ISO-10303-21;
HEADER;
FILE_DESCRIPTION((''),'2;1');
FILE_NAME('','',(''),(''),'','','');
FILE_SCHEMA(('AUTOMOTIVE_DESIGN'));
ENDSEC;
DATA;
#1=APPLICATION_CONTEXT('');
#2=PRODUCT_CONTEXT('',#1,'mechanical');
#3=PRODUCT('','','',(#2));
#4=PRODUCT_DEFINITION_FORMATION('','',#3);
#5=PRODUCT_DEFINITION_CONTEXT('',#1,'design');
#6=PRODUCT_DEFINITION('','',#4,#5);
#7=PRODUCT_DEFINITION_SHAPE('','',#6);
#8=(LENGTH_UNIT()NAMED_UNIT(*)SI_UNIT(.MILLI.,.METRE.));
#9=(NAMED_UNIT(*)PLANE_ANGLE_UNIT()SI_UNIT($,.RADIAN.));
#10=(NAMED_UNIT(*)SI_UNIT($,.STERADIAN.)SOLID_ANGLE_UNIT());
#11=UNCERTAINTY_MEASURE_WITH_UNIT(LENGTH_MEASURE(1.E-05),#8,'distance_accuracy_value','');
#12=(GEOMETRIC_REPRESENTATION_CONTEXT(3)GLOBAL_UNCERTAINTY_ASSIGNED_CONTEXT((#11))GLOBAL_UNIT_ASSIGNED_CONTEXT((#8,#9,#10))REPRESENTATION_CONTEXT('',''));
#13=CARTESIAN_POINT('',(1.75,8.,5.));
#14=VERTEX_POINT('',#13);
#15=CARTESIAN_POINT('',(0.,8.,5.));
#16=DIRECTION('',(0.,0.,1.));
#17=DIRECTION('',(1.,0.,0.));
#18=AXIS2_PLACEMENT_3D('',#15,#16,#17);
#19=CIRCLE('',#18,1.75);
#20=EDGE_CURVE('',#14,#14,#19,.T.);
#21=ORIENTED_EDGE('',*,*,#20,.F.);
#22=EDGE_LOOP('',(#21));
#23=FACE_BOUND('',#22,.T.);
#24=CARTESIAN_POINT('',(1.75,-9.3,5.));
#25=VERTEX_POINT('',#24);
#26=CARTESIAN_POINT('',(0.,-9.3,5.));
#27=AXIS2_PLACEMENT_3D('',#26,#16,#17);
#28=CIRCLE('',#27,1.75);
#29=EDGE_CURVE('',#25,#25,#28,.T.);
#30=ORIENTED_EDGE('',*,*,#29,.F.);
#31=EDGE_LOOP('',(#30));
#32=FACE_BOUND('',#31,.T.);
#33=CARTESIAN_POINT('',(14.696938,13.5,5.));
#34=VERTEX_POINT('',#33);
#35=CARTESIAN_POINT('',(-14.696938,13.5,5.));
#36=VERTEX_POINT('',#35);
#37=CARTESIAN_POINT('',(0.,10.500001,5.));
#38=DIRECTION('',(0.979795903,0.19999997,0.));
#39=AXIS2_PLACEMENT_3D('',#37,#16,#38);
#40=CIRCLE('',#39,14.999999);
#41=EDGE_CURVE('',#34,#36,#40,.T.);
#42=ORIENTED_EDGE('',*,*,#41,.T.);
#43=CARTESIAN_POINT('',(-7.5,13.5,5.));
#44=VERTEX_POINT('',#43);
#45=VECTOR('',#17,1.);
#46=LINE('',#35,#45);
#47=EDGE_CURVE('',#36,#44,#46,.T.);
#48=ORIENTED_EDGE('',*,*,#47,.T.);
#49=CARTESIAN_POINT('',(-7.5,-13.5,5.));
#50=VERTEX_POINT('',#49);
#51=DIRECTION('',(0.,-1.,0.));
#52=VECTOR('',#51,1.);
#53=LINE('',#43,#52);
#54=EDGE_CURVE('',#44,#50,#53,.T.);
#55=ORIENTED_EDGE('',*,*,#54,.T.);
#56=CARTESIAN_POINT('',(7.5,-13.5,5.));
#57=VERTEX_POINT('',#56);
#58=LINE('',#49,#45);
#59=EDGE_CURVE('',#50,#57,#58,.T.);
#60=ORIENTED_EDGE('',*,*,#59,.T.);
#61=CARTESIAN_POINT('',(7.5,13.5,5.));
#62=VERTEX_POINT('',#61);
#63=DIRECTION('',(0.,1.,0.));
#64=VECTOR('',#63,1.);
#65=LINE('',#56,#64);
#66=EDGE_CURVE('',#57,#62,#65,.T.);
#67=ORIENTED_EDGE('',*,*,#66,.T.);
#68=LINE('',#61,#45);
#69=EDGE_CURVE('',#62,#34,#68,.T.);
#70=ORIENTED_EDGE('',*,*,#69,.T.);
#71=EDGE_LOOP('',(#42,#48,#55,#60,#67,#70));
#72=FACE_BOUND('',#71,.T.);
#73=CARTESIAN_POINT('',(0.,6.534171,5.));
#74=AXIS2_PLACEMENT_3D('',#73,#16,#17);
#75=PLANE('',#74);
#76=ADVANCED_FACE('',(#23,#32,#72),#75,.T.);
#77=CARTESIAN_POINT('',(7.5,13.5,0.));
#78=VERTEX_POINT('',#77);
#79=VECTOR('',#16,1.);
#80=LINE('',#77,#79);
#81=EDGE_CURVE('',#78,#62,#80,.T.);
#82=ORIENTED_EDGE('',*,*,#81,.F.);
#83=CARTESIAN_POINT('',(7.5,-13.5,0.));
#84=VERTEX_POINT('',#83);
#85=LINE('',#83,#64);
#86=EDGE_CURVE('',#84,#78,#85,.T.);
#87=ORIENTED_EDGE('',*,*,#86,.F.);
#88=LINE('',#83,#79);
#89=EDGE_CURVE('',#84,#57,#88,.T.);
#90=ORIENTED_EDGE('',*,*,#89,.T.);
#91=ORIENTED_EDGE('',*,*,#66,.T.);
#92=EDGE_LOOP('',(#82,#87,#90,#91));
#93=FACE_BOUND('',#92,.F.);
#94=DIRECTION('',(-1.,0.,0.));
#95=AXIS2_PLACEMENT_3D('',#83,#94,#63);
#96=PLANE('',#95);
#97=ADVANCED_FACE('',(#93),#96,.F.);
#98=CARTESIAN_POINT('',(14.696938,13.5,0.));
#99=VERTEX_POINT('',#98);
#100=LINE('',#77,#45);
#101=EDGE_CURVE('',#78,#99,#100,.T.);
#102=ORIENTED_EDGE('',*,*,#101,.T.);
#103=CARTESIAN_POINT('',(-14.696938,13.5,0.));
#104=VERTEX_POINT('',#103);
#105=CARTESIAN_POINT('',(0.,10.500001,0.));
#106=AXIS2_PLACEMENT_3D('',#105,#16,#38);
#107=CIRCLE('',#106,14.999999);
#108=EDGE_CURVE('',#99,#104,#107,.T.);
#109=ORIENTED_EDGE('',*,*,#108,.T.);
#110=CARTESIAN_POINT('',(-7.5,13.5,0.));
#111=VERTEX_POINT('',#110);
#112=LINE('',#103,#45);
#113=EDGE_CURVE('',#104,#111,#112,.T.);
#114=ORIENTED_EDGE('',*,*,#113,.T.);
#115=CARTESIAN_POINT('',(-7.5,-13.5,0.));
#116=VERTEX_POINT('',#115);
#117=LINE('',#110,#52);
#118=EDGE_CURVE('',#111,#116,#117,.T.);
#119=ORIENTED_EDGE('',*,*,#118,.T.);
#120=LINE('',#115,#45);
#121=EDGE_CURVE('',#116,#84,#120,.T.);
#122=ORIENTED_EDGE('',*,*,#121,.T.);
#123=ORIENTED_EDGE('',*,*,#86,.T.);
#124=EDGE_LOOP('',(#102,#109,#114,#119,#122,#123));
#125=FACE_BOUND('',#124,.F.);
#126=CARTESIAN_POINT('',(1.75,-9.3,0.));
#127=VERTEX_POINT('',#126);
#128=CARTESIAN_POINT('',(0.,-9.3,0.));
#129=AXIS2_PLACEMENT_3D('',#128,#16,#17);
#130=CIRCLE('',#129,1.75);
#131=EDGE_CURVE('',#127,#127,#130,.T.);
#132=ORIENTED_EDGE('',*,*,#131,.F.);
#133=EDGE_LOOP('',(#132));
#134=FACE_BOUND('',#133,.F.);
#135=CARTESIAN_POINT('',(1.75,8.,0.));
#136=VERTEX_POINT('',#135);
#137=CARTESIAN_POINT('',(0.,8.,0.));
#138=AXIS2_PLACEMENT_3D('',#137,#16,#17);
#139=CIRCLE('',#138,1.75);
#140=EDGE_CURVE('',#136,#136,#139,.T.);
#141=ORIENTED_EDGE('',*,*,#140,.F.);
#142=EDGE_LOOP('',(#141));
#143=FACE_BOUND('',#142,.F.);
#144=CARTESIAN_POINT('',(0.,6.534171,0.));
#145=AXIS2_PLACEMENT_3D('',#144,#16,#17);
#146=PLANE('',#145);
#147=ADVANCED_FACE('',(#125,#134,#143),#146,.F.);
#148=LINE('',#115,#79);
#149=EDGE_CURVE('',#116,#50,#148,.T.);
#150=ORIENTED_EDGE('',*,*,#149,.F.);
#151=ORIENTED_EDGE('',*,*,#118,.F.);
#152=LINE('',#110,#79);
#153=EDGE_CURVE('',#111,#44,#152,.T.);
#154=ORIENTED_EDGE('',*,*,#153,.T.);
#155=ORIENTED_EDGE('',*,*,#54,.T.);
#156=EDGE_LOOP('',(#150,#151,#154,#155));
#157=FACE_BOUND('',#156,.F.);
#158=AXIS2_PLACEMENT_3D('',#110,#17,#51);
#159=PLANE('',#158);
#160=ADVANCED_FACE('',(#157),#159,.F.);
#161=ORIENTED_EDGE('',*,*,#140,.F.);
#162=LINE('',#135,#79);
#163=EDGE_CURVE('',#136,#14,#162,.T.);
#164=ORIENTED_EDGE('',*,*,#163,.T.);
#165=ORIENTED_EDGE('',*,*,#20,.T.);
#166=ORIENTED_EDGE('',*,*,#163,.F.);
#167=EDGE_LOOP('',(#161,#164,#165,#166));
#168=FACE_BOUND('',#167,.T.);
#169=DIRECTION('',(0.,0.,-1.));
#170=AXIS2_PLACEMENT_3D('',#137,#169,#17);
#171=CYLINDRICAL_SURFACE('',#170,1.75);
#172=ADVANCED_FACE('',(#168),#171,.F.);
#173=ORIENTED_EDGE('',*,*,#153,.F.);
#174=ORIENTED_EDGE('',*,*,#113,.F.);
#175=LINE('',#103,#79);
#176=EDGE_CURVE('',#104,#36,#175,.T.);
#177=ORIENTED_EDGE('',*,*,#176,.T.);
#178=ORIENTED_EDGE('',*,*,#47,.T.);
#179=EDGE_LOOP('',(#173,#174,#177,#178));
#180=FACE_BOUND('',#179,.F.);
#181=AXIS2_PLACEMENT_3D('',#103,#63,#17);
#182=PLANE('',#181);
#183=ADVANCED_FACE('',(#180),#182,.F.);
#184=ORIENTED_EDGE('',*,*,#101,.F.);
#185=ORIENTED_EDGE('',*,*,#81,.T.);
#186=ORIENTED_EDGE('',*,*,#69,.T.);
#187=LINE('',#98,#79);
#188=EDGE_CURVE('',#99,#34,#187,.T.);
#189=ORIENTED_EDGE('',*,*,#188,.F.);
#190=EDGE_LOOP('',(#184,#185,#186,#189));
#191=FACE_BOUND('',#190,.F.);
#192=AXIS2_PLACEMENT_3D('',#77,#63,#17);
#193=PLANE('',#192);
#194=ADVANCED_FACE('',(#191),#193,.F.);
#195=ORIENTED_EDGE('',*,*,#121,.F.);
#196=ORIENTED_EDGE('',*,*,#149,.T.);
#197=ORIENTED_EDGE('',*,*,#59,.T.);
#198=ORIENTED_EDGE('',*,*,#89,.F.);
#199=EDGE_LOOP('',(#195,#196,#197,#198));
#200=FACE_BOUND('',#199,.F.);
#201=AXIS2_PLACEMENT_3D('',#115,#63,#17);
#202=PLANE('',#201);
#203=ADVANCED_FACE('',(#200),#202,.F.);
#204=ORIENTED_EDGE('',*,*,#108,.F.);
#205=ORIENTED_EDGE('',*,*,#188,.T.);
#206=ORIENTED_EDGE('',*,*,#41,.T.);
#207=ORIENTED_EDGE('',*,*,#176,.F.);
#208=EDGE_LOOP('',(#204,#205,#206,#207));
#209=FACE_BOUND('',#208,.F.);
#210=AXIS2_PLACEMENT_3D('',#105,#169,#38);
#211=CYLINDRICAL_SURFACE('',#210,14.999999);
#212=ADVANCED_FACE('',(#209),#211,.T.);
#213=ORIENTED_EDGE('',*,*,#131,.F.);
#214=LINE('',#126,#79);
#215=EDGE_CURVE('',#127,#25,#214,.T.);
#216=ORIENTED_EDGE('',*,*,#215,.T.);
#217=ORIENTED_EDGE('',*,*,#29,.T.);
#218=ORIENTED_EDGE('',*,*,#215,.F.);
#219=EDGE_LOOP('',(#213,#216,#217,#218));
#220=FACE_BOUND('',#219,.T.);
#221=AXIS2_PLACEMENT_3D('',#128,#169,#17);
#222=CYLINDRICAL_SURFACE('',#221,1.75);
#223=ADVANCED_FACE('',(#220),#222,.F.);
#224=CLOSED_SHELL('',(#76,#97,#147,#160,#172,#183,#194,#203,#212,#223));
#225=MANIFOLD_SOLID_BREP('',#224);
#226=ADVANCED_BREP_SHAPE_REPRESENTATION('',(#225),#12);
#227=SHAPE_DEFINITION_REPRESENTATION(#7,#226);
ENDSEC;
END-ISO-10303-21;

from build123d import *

# Parameters (mm, degrees)
F0_R     = 1.75
F1_DEPTH = 5


with BuildPart() as f1:
    # F0 (on Top) → F1 (new body)
    with BuildSketch(Plane.XY):
        with BuildLine():
            Line((-7.5, 13.5), (-7.5, -13.5))
            Line((-7.5, -13.5), (7.5, -13.5))
            Line((7.5, -13.5), (7.5, 13.5))
            Line((7.5, 13.5), (14.696938, 13.5))
            ThreePointArc((14.696938, 13.5), (0, 25.5), (-14.696938, 13.5))
            Line((-14.696938, 13.5), (-7.5, 13.5))
        make_face()
        with Locations((0, -9.3)):
            Circle(F0_R, mode=Mode.SUBTRACT)
        with Locations((0, 8)):
            Circle(F0_R, mode=Mode.SUBTRACT)
    extrude(amount=F1_DEPTH)


solid = f1.part
